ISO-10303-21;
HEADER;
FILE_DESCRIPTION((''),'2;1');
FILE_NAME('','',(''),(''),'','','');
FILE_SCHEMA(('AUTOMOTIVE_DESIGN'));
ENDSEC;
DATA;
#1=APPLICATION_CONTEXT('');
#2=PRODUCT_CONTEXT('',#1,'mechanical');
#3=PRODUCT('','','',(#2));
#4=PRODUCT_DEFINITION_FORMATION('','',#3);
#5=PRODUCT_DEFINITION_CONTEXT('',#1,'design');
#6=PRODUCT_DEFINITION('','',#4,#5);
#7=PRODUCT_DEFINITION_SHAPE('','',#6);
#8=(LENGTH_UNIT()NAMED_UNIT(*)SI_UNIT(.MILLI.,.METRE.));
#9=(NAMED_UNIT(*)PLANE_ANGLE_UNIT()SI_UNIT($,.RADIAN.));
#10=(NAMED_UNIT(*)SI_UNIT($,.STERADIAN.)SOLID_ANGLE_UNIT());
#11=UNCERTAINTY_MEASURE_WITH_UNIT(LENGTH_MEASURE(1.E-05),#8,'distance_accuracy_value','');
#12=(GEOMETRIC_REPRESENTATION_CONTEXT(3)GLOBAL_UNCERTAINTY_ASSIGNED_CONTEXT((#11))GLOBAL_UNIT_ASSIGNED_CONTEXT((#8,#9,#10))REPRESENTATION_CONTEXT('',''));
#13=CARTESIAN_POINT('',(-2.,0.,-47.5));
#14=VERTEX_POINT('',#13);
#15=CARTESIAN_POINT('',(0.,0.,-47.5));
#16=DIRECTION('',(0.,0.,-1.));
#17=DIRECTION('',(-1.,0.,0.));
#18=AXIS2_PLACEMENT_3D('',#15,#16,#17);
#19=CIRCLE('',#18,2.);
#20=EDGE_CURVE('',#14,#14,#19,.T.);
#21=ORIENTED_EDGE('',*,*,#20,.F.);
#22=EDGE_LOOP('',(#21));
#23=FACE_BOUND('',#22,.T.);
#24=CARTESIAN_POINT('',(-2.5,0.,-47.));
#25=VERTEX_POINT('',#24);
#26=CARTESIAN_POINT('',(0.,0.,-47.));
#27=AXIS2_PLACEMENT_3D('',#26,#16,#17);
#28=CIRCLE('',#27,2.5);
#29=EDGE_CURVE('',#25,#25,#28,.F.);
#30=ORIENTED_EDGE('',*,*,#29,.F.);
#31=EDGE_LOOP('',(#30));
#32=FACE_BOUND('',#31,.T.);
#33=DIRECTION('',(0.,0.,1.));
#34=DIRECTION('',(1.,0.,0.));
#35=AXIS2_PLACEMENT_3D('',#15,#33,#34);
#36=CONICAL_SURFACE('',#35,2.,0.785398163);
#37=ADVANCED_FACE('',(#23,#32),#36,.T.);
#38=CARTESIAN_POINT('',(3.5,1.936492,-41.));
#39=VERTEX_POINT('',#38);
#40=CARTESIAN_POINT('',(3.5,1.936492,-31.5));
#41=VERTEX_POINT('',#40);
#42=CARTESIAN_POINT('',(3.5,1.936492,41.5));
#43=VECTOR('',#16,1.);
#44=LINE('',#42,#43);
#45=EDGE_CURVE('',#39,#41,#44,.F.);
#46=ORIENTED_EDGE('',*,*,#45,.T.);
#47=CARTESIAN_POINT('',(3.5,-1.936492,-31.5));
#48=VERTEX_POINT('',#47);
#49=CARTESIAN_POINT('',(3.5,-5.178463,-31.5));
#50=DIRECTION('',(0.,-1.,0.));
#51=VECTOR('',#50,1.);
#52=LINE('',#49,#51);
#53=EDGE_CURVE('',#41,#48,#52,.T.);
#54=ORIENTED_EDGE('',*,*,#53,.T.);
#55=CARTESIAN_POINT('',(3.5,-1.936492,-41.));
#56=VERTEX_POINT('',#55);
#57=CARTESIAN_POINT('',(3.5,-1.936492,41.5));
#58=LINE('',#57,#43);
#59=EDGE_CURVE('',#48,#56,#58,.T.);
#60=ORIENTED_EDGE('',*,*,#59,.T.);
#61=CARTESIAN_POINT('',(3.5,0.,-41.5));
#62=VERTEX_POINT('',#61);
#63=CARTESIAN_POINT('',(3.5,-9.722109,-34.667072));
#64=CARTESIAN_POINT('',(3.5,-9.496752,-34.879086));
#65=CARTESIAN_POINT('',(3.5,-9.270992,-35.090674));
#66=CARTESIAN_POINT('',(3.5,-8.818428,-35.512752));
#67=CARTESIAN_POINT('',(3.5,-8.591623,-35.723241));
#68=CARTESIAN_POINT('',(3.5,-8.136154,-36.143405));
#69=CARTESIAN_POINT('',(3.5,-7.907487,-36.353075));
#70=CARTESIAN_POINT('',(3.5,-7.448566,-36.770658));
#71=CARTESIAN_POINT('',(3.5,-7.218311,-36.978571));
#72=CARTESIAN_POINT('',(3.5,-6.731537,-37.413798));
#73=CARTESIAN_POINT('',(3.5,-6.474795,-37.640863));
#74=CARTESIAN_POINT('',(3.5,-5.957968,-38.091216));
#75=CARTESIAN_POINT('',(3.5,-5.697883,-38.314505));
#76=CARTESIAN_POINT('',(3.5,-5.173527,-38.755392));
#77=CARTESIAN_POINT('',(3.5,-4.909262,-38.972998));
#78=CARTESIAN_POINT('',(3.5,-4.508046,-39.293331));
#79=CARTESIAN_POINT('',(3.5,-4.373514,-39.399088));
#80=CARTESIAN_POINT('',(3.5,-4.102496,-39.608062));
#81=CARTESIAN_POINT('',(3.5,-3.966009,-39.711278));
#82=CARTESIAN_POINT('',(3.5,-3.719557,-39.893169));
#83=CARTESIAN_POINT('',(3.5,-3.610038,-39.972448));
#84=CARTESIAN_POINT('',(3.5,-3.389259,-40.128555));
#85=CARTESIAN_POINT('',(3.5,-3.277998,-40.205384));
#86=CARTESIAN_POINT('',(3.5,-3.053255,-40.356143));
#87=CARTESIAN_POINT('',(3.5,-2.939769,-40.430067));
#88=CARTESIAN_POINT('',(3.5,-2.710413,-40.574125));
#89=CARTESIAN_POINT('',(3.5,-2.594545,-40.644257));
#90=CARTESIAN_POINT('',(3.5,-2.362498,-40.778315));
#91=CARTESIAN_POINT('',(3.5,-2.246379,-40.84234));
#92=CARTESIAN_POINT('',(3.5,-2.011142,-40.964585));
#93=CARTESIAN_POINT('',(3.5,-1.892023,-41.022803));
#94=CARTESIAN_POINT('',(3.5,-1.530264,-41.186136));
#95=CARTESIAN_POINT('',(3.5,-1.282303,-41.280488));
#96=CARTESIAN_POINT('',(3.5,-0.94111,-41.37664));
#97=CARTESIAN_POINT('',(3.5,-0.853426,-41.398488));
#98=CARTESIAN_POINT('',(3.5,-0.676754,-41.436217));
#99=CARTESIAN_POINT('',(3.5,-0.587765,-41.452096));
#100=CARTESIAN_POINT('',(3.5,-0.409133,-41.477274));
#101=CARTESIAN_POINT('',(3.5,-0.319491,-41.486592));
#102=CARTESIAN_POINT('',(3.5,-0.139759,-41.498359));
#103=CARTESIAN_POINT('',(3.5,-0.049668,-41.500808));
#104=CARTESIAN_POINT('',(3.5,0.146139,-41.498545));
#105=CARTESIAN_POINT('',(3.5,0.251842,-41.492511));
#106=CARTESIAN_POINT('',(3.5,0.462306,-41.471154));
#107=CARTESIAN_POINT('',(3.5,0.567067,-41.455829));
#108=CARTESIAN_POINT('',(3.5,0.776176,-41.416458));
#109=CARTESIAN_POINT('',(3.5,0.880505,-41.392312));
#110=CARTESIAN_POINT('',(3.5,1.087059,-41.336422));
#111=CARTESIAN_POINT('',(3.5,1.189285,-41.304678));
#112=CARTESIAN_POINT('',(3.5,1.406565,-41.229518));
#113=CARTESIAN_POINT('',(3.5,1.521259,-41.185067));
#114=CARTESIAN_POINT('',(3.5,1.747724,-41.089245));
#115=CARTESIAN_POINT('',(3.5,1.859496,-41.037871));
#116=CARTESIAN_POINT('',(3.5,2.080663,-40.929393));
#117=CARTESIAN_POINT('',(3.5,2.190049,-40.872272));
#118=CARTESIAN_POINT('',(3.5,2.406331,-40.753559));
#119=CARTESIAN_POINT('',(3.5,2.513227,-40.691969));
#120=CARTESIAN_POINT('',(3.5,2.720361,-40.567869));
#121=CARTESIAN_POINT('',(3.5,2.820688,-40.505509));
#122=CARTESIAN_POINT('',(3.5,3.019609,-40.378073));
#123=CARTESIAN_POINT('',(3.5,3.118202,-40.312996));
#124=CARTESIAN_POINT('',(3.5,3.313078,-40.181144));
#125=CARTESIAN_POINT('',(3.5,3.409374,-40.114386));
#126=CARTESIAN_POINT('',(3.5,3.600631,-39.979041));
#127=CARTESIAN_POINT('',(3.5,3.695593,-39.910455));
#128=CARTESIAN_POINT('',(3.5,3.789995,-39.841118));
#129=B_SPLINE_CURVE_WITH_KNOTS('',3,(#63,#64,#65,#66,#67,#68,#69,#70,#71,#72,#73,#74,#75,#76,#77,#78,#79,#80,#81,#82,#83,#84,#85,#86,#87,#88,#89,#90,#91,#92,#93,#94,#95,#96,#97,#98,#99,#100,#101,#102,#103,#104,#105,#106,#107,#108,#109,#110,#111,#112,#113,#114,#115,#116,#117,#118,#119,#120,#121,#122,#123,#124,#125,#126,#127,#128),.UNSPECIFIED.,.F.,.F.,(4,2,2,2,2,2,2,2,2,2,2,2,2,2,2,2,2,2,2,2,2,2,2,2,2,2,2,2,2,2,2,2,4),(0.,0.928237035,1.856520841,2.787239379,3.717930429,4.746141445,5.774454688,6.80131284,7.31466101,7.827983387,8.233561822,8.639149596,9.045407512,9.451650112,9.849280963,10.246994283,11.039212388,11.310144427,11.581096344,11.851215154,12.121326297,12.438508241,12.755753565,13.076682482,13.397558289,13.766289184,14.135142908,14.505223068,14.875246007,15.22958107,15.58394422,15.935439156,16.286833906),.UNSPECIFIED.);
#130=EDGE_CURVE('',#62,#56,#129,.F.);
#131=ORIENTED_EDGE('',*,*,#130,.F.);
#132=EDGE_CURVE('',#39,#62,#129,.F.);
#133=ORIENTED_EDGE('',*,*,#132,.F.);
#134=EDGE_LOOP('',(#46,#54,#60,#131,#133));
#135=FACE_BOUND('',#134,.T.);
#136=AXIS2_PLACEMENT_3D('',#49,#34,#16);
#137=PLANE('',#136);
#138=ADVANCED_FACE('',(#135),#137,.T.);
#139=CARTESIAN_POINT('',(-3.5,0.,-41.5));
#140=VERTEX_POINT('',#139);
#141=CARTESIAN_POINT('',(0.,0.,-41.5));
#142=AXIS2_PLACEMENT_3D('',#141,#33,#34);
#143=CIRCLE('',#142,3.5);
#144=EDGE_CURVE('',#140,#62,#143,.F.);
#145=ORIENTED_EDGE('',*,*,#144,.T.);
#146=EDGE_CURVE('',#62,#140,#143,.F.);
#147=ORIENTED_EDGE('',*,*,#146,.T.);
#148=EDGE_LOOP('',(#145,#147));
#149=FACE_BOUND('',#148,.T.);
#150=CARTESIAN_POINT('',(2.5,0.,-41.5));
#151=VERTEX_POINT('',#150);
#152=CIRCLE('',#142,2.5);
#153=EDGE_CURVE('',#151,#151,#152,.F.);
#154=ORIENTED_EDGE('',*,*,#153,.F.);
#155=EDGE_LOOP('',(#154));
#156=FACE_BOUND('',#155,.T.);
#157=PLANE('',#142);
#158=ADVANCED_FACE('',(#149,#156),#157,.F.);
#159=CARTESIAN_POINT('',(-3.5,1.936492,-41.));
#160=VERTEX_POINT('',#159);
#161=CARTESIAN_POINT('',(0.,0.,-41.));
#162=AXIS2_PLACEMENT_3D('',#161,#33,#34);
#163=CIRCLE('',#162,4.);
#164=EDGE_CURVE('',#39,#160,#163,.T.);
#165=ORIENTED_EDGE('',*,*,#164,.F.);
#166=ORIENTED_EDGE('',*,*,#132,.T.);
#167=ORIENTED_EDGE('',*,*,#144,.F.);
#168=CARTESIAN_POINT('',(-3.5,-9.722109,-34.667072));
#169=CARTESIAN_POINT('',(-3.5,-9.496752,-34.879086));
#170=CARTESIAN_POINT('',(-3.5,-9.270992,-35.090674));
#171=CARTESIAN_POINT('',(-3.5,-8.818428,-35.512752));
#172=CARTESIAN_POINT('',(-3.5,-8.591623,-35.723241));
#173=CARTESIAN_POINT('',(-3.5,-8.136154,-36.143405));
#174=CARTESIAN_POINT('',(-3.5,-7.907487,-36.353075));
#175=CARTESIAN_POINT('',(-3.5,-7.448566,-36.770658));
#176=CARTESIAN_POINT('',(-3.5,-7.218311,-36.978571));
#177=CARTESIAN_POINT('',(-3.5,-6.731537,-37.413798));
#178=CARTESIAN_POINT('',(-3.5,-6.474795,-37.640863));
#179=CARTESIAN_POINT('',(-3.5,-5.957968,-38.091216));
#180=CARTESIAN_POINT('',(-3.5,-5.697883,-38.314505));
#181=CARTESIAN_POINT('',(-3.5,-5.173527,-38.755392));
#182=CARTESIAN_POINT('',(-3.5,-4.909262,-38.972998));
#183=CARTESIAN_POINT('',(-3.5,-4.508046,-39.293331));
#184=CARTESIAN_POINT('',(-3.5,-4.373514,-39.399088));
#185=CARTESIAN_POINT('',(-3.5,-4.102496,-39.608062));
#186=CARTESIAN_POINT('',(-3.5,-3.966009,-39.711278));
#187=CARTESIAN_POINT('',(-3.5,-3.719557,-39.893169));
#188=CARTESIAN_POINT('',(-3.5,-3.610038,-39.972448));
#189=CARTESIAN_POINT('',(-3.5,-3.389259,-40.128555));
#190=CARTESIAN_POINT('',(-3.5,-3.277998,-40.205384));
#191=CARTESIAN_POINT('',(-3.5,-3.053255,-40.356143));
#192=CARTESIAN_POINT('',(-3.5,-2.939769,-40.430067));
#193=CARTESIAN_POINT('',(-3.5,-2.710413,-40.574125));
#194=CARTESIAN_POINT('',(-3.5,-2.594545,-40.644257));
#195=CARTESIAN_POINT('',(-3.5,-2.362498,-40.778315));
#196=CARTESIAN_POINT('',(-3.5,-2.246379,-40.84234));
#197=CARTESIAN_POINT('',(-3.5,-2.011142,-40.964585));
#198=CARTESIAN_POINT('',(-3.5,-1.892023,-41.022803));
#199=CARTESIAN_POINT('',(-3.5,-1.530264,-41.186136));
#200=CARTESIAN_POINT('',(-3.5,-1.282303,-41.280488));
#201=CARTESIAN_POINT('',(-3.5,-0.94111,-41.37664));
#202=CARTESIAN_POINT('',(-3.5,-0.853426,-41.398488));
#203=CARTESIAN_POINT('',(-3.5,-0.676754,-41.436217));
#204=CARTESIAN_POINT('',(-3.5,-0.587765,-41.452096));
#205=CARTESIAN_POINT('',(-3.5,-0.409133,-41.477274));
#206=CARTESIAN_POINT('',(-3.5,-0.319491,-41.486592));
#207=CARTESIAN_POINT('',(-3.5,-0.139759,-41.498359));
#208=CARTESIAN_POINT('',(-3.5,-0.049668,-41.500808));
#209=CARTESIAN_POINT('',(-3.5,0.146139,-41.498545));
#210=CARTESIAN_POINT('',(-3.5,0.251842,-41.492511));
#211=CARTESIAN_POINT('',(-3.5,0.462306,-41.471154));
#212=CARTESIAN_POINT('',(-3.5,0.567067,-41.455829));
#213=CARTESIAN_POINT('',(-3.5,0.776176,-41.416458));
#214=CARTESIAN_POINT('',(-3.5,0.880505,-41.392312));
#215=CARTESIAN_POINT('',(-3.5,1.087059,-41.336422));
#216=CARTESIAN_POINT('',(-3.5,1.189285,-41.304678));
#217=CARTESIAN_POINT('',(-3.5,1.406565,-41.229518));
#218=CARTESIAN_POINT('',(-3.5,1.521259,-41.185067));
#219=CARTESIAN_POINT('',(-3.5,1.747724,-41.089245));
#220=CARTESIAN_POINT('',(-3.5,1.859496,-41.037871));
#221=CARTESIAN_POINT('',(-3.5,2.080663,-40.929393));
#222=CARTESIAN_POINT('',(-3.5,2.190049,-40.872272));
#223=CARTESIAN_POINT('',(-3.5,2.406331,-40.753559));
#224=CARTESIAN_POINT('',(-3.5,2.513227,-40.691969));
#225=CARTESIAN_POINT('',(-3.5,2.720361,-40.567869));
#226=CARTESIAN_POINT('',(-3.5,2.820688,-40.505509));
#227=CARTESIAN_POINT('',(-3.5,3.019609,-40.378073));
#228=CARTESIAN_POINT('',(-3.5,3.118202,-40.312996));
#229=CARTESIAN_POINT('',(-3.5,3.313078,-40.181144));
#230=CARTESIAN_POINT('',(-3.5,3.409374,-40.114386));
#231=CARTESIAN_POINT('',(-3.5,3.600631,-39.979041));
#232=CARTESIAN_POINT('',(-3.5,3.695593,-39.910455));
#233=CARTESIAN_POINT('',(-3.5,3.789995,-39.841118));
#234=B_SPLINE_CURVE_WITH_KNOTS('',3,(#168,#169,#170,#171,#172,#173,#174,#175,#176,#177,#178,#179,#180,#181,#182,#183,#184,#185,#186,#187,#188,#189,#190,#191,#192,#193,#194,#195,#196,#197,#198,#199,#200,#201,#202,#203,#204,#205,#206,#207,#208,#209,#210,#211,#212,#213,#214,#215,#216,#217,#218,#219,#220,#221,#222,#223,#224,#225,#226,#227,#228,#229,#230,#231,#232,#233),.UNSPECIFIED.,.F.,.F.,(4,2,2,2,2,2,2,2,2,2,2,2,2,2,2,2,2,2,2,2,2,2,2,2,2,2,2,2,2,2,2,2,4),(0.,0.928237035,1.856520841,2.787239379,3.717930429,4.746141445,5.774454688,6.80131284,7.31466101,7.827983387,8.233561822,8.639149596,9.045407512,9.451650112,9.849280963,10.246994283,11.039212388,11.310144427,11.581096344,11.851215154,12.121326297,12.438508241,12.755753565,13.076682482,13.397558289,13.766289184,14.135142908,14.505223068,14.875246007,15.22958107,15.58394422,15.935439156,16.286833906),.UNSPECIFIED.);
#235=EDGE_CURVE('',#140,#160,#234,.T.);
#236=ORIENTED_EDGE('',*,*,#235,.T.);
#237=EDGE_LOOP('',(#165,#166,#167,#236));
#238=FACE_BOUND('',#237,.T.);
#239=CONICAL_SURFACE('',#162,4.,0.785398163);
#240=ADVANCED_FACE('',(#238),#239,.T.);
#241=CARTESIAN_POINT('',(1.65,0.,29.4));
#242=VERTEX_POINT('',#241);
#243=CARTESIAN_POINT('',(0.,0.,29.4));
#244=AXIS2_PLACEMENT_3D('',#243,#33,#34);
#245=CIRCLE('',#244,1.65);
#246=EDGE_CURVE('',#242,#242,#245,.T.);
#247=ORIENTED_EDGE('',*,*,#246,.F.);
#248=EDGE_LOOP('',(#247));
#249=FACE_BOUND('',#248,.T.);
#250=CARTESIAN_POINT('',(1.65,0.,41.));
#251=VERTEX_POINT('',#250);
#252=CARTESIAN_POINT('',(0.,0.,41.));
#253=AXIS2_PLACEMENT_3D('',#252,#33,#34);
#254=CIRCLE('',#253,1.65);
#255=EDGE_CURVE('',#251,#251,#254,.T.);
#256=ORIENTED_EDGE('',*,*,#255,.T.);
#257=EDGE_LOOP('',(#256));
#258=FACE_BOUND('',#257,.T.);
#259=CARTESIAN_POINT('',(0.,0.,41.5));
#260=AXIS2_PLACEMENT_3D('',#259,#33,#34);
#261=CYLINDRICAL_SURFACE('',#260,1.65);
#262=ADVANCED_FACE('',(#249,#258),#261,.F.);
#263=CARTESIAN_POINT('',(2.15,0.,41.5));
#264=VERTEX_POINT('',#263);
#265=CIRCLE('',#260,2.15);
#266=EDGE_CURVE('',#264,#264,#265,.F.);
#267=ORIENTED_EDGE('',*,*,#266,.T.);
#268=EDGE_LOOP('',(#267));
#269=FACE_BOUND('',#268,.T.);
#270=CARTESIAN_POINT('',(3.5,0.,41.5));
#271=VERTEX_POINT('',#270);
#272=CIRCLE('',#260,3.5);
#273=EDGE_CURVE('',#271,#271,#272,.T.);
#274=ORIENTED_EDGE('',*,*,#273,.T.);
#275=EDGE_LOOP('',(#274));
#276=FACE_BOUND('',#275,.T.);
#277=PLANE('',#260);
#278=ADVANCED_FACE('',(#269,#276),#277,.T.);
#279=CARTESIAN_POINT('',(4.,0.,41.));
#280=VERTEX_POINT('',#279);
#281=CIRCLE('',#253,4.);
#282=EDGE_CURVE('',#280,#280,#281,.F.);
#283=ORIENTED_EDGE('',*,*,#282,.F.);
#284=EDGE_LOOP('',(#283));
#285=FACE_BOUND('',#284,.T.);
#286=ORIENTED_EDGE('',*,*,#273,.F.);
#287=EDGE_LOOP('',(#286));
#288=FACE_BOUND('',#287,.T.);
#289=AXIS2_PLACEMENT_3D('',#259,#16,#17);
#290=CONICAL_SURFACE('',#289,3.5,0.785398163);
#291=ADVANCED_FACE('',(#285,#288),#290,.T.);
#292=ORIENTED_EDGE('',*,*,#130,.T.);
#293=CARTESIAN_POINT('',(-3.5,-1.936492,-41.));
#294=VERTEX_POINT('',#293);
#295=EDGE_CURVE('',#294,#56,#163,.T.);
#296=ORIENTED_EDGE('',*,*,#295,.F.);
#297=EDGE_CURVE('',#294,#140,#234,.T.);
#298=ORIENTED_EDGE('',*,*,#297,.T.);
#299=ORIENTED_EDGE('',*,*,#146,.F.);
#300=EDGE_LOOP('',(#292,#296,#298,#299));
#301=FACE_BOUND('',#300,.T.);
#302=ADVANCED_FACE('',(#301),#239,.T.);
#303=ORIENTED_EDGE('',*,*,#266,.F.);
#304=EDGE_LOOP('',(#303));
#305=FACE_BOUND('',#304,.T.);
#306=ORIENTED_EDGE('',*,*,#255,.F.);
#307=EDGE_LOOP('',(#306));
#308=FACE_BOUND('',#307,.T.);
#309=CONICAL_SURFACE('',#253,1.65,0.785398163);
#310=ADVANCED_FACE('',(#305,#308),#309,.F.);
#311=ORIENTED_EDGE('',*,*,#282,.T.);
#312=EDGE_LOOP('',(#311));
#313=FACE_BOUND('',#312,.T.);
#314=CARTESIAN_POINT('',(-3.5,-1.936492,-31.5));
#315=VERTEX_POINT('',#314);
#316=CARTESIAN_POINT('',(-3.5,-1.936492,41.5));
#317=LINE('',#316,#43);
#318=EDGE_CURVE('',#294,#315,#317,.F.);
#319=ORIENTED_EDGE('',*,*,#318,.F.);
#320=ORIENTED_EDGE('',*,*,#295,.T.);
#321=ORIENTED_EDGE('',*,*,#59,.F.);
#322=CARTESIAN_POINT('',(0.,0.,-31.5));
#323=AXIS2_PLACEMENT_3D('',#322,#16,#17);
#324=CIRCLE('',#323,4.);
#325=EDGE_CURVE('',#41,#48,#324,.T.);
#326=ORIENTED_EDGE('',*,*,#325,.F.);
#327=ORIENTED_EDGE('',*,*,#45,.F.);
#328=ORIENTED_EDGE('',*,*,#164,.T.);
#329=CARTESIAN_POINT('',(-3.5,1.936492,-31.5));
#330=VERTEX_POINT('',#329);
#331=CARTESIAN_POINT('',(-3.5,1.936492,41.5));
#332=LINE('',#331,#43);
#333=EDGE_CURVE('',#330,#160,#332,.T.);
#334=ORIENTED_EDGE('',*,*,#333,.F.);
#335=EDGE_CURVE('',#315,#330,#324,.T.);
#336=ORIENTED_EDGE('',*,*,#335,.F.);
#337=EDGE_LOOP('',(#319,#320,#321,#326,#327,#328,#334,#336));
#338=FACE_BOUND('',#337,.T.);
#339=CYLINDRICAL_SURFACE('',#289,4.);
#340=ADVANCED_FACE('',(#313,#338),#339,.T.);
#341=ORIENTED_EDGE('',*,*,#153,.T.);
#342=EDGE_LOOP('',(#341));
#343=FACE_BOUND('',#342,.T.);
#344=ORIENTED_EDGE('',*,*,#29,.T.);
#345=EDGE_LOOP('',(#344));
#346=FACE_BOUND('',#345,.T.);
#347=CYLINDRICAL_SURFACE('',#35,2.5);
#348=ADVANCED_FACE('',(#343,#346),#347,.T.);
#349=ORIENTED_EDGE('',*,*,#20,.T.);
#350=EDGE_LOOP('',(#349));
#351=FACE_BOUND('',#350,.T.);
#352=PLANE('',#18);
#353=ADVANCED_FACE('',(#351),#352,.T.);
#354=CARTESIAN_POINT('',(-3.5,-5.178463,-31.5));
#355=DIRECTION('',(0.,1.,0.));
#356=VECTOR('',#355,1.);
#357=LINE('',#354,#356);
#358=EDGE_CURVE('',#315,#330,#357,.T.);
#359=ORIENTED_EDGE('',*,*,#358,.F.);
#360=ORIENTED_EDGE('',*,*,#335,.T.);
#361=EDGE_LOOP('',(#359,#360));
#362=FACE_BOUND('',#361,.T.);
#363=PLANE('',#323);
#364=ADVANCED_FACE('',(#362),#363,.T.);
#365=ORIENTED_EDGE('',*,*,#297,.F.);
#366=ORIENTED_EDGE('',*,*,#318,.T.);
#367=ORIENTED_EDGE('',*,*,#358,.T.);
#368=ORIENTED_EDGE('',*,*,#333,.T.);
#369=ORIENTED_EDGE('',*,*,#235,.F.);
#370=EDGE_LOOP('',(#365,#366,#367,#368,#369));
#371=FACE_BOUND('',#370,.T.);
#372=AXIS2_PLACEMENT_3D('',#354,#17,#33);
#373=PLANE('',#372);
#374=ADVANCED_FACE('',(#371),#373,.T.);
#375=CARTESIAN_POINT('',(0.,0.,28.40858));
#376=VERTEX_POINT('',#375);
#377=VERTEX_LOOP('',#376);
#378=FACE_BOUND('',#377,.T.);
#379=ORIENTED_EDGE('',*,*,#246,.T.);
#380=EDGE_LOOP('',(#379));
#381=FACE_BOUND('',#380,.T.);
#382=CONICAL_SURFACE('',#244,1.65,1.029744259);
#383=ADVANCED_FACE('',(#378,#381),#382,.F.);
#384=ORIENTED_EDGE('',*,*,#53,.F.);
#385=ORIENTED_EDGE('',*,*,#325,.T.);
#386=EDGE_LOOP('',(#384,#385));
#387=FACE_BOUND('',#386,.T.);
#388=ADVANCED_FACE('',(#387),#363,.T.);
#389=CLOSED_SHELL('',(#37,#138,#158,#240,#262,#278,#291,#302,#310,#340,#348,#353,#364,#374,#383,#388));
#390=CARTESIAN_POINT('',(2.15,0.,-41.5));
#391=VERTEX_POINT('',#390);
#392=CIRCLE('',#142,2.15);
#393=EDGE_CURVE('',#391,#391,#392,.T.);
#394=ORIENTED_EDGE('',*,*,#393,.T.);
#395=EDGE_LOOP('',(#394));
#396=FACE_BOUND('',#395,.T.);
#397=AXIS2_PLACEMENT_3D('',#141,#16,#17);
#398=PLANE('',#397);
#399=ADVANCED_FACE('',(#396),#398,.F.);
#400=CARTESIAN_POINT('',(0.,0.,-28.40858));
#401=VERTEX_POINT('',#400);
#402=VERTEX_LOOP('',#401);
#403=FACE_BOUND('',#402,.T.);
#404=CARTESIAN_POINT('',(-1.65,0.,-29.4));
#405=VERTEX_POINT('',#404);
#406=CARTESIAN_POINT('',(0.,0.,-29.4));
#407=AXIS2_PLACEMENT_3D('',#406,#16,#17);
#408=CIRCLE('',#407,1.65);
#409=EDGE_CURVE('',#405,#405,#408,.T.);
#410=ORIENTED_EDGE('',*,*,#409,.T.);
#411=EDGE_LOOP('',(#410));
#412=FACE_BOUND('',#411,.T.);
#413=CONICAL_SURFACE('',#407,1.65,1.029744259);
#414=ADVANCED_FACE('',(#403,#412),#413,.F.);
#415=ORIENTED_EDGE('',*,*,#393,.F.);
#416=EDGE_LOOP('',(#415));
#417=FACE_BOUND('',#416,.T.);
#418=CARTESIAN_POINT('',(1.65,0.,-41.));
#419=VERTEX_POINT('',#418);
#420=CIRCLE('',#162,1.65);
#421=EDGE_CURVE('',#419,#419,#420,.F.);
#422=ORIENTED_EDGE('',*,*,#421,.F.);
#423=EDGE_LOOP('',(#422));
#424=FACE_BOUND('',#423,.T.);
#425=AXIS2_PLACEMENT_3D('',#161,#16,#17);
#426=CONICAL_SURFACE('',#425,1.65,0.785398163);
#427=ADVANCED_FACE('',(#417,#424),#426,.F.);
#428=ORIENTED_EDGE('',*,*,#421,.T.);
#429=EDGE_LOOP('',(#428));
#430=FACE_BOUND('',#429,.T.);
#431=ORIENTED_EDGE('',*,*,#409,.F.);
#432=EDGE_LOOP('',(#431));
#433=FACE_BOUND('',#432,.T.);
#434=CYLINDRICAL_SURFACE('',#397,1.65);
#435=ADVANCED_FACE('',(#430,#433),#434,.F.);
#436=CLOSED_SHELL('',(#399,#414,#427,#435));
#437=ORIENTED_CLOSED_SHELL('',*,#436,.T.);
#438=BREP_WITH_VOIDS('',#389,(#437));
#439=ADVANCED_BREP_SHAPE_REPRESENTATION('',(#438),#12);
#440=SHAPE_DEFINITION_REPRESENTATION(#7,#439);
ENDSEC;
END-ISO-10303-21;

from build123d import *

# Parameters (mm, degrees)
SKETCH_1_R                       = 4
EXTRUDE_1_DEPTH                  = 41.5
HOLE_WIZARD_M4_1_D               = 3.3
HOLE_WIZARD_M4_1_DEPTH           = 12.1
HOLE_WIZARD_M4_1_TIP             = 0.991420021
HOLE_WIZARD_M4_1_ON_FACE_2_D     = 3.3
HOLE_WIZARD_M4_1_ON_FACE_2_DEPTH = 12.1
HOLE_WIZARD_M4_1_ON_FACE_2_TIP   = 0.991420021
CHAMFER_1_SIZE                   = 0.5
SKETCH_3_R                       = 2.5
EXTRUDE_1_2_DEPTH                = 6
CHAMFER_2_SIZE                   = 0.5
SKETCH_4_OUTSIDE_W               = 27.944
SKETCH_4_OUTSIDE_H               = 27.944
SKETCH_4_OUTSIDE_W_2             = 7
SKETCH_4_OUTSIDE_H_2             = 10.356925226
CUT_EXTRUDE_1_DEPTH              = 10


with BuildPart() as part:
    # 草图1 → Extrude 1 (new, symmetric)
    with BuildSketch(Plane.XY):
        Circle(SKETCH_1_R)
    extrude(amount=EXTRUDE_1_DEPTH, both=True)

    # M4 螺纹孔1
    with Locations(Plane.XY.offset(41.5)):
        with Locations((0, 0)):
            Hole(HOLE_WIZARD_M4_1_D / 2, depth=HOLE_WIZARD_M4_1_DEPTH)
            with Locations((0, 0, -(HOLE_WIZARD_M4_1_DEPTH + HOLE_WIZARD_M4_1_TIP / 2))):  # 118° drill point
                Cone(0, HOLE_WIZARD_M4_1_D / 2, HOLE_WIZARD_M4_1_TIP, mode=Mode.SUBTRACT)

    # M4 螺纹孔1 on face 2
    with Locations(Plane(origin=(0, 0, -41.5), x_dir=(-1, 0, 0), z_dir=(0, 0, -1))):
        with Locations((0, 0)):
            Hole(HOLE_WIZARD_M4_1_ON_FACE_2_D / 2, depth=HOLE_WIZARD_M4_1_ON_FACE_2_DEPTH)
            with Locations((0, 0, -(HOLE_WIZARD_M4_1_ON_FACE_2_DEPTH + HOLE_WIZARD_M4_1_ON_FACE_2_TIP / 2))):  # 118° drill point
                Cone(0, HOLE_WIZARD_M4_1_ON_FACE_2_D / 2, HOLE_WIZARD_M4_1_ON_FACE_2_TIP, mode=Mode.SUBTRACT)

    # 倒角1
    chamfer_1_edges = [part.edges().sort_by_distance(p)[0] for p in [
        (-4, 0, -41.5),
        (-4, 0, 41.5),
        (-1.65, 0, -41.5),
        (1.65, 0, 41.5),
    ]]
    chamfer(chamfer_1_edges, length=CHAMFER_1_SIZE)

    # 草图3 → Extrude 1 2 (add)
    with BuildSketch(Plane(origin=(0, 0, -41.5), x_dir=(-1, 0, 0), z_dir=(0, 0, -1))):
        with Locations(Location((0, 0, 0), (0, 0, 180))):
            Circle(SKETCH_3_R)
    extrude(amount=EXTRUDE_1_2_DEPTH)

    # 倒角2
    chamfer_2_edges = [part.edges().sort_by_distance(p)[0] for p in [
        (-2.5, 0, -47.5),
    ]]
    chamfer(chamfer_2_edges, length=CHAMFER_2_SIZE)

    # 草图4 outside → 切除-拉伸1 (cut)
    with BuildSketch(Plane(origin=(0, 0, -41.5), x_dir=(-1, 0, 0), z_dir=(0, 0, -1))):
        Rectangle(SKETCH_4_OUTSIDE_W, SKETCH_4_OUTSIDE_H)
        Rectangle(SKETCH_4_OUTSIDE_W_2, SKETCH_4_OUTSIDE_H_2, mode=Mode.SUBTRACT)
    extrude(amount=-CUT_EXTRUDE_1_DEPTH, mode=Mode.SUBTRACT)


solid = part.part
